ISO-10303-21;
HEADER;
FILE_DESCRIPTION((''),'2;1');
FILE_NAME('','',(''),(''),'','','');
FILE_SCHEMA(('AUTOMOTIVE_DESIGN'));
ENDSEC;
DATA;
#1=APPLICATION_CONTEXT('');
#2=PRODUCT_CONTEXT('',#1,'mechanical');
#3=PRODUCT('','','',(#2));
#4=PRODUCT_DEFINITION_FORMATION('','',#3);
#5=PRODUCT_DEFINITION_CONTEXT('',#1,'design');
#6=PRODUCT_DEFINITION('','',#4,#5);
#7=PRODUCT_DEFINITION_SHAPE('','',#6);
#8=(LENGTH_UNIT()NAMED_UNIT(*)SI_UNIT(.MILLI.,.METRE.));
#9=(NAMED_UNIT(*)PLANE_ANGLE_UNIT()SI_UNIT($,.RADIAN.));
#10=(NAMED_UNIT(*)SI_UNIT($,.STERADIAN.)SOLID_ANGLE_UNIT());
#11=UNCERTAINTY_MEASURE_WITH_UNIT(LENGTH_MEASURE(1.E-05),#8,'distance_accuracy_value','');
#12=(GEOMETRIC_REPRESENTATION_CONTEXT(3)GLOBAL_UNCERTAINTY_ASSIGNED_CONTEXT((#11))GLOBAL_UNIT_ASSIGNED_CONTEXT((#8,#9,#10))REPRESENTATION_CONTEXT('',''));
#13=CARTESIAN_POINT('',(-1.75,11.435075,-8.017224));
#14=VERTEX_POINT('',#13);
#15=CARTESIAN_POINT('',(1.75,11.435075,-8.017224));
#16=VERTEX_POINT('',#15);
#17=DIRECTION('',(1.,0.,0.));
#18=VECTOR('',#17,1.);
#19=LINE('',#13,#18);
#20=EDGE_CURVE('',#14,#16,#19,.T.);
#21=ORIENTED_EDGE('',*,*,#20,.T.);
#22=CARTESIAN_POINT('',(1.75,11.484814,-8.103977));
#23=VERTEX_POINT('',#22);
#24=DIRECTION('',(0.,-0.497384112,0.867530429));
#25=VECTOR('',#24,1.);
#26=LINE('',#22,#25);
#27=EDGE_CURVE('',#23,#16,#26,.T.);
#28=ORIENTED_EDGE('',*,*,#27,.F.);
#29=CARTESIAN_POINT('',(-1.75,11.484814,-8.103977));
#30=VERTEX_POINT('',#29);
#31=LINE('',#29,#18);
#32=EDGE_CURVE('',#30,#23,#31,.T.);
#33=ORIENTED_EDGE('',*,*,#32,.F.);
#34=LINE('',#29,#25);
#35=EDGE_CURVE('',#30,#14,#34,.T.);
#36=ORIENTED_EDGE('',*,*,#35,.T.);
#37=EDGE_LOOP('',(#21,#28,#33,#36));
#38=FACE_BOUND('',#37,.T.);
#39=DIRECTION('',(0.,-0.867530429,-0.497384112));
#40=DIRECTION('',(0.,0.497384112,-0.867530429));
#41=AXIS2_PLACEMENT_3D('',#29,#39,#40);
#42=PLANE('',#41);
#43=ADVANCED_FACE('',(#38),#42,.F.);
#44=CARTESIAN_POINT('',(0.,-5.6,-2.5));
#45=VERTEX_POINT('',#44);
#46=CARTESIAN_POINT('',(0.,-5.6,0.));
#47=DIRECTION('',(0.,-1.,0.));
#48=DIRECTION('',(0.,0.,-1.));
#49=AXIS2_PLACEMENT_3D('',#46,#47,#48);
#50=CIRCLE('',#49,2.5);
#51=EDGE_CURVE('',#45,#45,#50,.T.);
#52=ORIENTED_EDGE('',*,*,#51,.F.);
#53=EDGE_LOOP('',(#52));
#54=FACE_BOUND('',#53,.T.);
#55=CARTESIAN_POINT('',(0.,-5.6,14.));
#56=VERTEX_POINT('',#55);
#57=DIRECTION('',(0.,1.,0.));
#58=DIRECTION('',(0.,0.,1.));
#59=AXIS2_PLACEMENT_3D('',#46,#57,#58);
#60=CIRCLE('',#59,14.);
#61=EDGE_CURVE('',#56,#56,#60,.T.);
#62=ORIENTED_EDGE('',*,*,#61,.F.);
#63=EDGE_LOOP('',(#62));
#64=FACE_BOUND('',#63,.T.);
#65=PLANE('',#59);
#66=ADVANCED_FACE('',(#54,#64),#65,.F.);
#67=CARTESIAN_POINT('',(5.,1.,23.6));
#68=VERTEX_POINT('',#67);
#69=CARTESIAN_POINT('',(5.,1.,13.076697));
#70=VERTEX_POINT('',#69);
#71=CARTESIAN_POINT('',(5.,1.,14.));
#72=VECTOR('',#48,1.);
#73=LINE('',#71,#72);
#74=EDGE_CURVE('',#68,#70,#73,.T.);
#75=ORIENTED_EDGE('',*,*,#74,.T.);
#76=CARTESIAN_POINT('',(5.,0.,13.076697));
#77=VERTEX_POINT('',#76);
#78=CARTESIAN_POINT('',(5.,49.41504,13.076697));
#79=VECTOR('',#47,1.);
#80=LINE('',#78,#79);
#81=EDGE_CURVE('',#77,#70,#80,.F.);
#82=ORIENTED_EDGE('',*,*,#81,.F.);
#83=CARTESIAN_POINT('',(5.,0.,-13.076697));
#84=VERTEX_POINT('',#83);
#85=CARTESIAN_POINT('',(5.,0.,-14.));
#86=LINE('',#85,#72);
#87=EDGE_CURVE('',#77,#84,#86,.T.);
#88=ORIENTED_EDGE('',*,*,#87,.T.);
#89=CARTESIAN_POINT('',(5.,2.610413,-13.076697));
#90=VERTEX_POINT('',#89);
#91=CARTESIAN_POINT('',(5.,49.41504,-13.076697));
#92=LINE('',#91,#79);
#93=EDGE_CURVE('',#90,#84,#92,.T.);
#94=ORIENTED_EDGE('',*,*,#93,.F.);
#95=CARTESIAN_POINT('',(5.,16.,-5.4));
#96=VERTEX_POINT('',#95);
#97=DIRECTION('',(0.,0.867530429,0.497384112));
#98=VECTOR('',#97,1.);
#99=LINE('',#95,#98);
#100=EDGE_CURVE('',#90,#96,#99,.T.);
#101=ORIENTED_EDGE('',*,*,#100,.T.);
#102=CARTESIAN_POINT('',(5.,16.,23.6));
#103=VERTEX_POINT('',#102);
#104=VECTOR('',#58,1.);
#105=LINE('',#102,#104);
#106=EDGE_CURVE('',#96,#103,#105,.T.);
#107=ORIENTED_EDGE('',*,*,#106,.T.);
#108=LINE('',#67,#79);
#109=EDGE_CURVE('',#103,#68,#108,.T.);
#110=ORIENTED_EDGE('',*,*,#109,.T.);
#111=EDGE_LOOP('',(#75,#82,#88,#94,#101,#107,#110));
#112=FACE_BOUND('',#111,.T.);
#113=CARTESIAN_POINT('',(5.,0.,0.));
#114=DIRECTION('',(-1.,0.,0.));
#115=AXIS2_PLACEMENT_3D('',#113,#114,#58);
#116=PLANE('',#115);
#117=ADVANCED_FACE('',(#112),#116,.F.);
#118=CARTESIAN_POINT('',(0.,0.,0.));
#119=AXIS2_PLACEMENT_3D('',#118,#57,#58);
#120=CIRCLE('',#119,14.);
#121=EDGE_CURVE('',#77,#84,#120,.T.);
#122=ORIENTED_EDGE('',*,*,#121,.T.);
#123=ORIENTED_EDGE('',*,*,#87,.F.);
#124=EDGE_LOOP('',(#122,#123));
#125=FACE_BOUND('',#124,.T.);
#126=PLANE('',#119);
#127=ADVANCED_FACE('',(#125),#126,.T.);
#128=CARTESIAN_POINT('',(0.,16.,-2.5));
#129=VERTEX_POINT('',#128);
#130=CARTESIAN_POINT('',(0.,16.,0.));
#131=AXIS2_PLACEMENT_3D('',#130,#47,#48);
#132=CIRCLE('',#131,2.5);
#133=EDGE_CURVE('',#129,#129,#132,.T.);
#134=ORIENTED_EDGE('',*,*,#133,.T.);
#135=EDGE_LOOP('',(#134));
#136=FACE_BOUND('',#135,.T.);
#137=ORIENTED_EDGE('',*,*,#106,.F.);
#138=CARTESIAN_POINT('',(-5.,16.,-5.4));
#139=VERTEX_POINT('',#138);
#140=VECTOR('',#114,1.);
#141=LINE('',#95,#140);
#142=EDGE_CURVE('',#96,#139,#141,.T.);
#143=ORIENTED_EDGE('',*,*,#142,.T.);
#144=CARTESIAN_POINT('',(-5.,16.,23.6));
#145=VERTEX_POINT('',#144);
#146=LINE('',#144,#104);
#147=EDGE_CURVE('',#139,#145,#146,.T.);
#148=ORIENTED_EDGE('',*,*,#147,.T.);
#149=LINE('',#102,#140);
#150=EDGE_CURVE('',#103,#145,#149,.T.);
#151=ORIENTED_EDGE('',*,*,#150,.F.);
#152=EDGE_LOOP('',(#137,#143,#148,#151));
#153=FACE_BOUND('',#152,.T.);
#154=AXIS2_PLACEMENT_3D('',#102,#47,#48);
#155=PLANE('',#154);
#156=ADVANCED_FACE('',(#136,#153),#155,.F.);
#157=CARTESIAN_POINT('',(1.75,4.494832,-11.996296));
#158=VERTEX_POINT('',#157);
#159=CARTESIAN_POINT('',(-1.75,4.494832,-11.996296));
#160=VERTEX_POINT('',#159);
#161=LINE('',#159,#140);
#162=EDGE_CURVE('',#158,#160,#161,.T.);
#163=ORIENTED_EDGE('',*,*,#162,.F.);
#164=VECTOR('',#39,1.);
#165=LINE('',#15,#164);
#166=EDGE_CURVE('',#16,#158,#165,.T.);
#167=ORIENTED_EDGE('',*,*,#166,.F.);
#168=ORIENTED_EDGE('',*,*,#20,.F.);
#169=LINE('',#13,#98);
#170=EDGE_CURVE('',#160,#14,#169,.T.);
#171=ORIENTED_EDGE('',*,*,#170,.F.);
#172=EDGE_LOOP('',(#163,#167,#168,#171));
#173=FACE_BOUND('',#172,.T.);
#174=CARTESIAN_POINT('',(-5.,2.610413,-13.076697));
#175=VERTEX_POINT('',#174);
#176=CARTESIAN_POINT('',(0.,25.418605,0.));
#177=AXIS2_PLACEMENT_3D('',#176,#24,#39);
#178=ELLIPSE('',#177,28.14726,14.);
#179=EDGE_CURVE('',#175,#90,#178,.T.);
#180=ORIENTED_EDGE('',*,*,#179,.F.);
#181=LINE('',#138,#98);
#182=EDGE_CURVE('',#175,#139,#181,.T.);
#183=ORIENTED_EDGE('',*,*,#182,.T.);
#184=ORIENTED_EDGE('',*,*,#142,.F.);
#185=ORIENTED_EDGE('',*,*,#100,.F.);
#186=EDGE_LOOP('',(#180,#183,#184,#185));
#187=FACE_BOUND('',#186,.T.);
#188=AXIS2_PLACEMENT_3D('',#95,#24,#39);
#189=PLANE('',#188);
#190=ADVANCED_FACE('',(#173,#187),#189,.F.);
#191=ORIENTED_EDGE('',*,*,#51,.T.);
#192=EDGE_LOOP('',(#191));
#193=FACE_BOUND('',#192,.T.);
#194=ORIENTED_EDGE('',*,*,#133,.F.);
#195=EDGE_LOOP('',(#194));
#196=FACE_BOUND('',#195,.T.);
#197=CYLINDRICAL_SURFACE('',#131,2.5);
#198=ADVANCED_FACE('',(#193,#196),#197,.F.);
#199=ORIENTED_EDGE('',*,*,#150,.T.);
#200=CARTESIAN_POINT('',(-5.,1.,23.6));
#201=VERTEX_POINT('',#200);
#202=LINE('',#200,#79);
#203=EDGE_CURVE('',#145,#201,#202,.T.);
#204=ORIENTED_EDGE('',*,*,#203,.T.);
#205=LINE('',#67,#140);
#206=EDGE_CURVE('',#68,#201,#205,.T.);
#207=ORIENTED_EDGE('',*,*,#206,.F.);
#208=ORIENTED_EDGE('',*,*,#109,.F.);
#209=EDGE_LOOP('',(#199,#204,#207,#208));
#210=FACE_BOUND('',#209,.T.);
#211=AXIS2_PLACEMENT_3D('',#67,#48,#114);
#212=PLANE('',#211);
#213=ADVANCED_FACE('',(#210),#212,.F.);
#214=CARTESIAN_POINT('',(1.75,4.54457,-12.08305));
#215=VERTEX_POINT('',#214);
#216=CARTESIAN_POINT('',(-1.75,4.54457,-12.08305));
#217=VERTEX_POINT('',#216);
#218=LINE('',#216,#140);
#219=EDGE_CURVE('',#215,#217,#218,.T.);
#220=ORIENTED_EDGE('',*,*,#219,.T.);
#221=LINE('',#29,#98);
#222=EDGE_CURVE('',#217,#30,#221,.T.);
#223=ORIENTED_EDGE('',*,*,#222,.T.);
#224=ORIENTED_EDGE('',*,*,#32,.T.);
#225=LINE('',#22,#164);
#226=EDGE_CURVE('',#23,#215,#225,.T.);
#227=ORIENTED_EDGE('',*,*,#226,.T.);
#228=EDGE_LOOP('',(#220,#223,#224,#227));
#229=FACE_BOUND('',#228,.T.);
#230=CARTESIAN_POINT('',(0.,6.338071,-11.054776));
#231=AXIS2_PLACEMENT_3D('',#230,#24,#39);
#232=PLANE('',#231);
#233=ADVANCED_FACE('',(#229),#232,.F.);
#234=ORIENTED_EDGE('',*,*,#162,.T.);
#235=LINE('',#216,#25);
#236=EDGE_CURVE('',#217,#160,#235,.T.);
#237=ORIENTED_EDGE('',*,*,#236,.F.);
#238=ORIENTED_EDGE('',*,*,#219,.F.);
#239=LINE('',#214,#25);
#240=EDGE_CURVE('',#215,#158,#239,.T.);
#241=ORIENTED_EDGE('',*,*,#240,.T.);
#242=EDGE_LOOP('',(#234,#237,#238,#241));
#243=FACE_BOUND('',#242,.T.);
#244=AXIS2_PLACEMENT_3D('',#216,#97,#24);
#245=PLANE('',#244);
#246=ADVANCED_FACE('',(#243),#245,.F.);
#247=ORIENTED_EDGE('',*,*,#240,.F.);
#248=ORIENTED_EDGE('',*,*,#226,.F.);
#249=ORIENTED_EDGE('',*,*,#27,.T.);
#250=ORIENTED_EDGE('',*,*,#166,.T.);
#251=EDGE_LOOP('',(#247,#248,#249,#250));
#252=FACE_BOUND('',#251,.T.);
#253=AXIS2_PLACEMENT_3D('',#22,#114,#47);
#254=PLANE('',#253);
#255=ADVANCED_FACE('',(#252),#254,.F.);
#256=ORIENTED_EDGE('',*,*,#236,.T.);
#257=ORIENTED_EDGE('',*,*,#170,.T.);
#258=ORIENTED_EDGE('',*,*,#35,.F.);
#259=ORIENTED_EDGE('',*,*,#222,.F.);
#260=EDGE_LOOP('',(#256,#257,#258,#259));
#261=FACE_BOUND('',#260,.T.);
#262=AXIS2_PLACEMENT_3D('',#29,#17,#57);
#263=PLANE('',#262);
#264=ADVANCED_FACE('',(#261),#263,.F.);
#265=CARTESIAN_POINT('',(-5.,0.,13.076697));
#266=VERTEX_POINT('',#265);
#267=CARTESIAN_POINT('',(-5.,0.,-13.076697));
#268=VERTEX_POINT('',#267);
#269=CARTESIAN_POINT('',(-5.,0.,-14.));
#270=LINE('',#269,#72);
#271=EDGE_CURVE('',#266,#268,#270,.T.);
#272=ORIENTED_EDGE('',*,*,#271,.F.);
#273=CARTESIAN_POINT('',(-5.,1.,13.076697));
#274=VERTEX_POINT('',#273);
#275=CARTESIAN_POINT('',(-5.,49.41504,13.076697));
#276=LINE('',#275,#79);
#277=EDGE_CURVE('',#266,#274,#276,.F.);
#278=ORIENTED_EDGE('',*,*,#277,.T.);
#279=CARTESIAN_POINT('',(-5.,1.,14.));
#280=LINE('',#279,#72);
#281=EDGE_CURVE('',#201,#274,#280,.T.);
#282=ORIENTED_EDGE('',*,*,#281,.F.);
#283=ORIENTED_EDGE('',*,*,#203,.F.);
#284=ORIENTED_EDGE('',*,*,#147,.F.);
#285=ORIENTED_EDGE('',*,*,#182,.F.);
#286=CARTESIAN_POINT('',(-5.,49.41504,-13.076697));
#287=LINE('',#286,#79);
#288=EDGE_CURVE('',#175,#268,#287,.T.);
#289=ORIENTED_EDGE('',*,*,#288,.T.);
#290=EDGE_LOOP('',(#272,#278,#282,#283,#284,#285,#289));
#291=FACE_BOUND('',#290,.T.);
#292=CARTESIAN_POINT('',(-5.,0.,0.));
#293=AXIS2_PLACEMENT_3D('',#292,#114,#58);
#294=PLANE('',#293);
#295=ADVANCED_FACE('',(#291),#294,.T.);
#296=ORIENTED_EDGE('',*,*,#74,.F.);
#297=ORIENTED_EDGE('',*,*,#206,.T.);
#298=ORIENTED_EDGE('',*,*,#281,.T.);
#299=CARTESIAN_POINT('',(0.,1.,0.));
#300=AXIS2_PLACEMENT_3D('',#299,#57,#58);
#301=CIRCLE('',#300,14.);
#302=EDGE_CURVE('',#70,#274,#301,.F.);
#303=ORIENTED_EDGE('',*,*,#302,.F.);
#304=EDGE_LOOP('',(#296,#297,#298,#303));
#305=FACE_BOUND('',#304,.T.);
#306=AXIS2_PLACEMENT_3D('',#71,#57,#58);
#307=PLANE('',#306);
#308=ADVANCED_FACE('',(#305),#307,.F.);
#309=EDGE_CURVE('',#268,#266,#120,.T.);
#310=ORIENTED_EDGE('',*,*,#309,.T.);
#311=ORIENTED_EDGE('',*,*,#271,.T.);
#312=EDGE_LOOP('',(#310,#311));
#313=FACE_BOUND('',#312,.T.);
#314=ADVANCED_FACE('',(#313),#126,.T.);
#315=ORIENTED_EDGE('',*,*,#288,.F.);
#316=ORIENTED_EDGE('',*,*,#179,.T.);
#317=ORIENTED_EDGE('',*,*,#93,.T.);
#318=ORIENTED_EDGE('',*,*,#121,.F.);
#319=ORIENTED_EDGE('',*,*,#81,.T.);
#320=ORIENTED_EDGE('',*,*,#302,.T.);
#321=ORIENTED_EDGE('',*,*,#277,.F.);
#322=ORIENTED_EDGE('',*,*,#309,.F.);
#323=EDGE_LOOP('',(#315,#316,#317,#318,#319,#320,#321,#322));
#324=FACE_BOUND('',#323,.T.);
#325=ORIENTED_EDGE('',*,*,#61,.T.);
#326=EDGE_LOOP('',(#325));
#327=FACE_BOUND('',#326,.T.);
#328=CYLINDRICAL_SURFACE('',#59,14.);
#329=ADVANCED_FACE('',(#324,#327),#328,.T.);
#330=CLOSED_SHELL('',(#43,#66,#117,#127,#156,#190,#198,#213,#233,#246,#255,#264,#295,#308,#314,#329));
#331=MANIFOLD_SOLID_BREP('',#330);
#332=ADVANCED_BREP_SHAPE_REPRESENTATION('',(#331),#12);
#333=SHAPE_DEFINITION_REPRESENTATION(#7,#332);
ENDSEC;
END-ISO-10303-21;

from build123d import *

# Parameters (mm, degrees)
IZIM1_R                     = 14
Y_KSEKLIK_EKSTR_ZYON1_DEPTH = 5.6
Y_KSEKLIK_EKSTR_ZYON2_DEPTH = 5
IZIM3_OUTSIDE_W             = 40.324
IZIM3_OUTSIDE_H             = 49.924
IZIM3_OUTSIDE_R             = 14
KES_EKSTR_ZYON1_DEPTH       = 6.6
KES_EKSTR_ZYON2_DEPTH       = 10
IZIM5_R                     = 2.5
KES_EKSTR_ZYON3_DEPTH       = 22.6
IZIM6_W                     = 3.5
IZIM6_H                     = 8
Y_KSEKLIK_EKSTR_ZYON3_DEPTH = 0.1


with BuildPart() as part:
    # Çizim1 → Yükseklik-Ekstrüzyon1 (new body)
    with BuildSketch(Plane(origin=(0, 0, 0), x_dir=(1, 0, 0), z_dir=(0, 1, 0))):
        Circle(IZIM1_R)
    extrude(amount=-Y_KSEKLIK_EKSTR_ZYON1_DEPTH)

    # Çizim2 → Yükseklik-Ekstrüzyon2 (add, symmetric)
    with BuildSketch(Plane(origin=(0, 0, 0), x_dir=(0, 0, -1), z_dir=(1, 0, 0))):
        Polygon((-14, 0), (-14, 1), (-23.6, 1), (-23.6, 16), (5.4, 16), (14, 1), (14, 0), align=None)
    extrude(amount=Y_KSEKLIK_EKSTR_ZYON2_DEPTH, both=True)

    # Çizim3 outside → Kes-Ekstrüzyon1 (cut)
    with BuildSketch(Plane.XZ.offset(5.6)):
        with Locations((0, 4.8)):
            Rectangle(IZIM3_OUTSIDE_W, IZIM3_OUTSIDE_H)
        Circle(IZIM3_OUTSIDE_R, mode=Mode.SUBTRACT)
    extrude(amount=-KES_EKSTR_ZYON1_DEPTH, mode=Mode.SUBTRACT)

    # Çizim4 → Kes-Ekstrüzyon2 (cut)
    with BuildSketch(Plane.XZ.offset(5.6)):
        with BuildLine():
            ThreePointArc((5, -13.076697), (2.542267, -13.767239), (0, -14))
            Line((0, -14), (5, -14))
            Line((5, -14), (5, -13.076697))
        make_face()
        with BuildLine():
            Line((-5, -13.076697), (-5, -14))
            Line((-5, -14), (0, -14))
            ThreePointArc((0, -14), (-2.542267, -13.767239), (-5, -13.076697))
        make_face()
    extrude(amount=-KES_EKSTR_ZYON2_DEPTH, mode=Mode.SUBTRACT)

    # Çizim5 → Kes-Ekstrüzyon3 (cut, through all)
    with BuildSketch(Plane.XZ.offset(5.6)):
        Circle(IZIM5_R)
    extrude(amount=-KES_EKSTR_ZYON3_DEPTH, mode=Mode.SUBTRACT)

    # Çizim6 → Yükseklik-Ekstrüzyon3 (add)
    with BuildSketch(Plane(origin=(0, 6.288333, -10.968022), x_dir=(-1, 0, 0), z_dir=(0, 0.497384, -0.86753))):
        with Locations((0, 1.932636)):
            Rectangle(IZIM6_W, IZIM6_H)
    extrude(amount=Y_KSEKLIK_EKSTR_ZYON3_DEPTH)


solid = part.part
